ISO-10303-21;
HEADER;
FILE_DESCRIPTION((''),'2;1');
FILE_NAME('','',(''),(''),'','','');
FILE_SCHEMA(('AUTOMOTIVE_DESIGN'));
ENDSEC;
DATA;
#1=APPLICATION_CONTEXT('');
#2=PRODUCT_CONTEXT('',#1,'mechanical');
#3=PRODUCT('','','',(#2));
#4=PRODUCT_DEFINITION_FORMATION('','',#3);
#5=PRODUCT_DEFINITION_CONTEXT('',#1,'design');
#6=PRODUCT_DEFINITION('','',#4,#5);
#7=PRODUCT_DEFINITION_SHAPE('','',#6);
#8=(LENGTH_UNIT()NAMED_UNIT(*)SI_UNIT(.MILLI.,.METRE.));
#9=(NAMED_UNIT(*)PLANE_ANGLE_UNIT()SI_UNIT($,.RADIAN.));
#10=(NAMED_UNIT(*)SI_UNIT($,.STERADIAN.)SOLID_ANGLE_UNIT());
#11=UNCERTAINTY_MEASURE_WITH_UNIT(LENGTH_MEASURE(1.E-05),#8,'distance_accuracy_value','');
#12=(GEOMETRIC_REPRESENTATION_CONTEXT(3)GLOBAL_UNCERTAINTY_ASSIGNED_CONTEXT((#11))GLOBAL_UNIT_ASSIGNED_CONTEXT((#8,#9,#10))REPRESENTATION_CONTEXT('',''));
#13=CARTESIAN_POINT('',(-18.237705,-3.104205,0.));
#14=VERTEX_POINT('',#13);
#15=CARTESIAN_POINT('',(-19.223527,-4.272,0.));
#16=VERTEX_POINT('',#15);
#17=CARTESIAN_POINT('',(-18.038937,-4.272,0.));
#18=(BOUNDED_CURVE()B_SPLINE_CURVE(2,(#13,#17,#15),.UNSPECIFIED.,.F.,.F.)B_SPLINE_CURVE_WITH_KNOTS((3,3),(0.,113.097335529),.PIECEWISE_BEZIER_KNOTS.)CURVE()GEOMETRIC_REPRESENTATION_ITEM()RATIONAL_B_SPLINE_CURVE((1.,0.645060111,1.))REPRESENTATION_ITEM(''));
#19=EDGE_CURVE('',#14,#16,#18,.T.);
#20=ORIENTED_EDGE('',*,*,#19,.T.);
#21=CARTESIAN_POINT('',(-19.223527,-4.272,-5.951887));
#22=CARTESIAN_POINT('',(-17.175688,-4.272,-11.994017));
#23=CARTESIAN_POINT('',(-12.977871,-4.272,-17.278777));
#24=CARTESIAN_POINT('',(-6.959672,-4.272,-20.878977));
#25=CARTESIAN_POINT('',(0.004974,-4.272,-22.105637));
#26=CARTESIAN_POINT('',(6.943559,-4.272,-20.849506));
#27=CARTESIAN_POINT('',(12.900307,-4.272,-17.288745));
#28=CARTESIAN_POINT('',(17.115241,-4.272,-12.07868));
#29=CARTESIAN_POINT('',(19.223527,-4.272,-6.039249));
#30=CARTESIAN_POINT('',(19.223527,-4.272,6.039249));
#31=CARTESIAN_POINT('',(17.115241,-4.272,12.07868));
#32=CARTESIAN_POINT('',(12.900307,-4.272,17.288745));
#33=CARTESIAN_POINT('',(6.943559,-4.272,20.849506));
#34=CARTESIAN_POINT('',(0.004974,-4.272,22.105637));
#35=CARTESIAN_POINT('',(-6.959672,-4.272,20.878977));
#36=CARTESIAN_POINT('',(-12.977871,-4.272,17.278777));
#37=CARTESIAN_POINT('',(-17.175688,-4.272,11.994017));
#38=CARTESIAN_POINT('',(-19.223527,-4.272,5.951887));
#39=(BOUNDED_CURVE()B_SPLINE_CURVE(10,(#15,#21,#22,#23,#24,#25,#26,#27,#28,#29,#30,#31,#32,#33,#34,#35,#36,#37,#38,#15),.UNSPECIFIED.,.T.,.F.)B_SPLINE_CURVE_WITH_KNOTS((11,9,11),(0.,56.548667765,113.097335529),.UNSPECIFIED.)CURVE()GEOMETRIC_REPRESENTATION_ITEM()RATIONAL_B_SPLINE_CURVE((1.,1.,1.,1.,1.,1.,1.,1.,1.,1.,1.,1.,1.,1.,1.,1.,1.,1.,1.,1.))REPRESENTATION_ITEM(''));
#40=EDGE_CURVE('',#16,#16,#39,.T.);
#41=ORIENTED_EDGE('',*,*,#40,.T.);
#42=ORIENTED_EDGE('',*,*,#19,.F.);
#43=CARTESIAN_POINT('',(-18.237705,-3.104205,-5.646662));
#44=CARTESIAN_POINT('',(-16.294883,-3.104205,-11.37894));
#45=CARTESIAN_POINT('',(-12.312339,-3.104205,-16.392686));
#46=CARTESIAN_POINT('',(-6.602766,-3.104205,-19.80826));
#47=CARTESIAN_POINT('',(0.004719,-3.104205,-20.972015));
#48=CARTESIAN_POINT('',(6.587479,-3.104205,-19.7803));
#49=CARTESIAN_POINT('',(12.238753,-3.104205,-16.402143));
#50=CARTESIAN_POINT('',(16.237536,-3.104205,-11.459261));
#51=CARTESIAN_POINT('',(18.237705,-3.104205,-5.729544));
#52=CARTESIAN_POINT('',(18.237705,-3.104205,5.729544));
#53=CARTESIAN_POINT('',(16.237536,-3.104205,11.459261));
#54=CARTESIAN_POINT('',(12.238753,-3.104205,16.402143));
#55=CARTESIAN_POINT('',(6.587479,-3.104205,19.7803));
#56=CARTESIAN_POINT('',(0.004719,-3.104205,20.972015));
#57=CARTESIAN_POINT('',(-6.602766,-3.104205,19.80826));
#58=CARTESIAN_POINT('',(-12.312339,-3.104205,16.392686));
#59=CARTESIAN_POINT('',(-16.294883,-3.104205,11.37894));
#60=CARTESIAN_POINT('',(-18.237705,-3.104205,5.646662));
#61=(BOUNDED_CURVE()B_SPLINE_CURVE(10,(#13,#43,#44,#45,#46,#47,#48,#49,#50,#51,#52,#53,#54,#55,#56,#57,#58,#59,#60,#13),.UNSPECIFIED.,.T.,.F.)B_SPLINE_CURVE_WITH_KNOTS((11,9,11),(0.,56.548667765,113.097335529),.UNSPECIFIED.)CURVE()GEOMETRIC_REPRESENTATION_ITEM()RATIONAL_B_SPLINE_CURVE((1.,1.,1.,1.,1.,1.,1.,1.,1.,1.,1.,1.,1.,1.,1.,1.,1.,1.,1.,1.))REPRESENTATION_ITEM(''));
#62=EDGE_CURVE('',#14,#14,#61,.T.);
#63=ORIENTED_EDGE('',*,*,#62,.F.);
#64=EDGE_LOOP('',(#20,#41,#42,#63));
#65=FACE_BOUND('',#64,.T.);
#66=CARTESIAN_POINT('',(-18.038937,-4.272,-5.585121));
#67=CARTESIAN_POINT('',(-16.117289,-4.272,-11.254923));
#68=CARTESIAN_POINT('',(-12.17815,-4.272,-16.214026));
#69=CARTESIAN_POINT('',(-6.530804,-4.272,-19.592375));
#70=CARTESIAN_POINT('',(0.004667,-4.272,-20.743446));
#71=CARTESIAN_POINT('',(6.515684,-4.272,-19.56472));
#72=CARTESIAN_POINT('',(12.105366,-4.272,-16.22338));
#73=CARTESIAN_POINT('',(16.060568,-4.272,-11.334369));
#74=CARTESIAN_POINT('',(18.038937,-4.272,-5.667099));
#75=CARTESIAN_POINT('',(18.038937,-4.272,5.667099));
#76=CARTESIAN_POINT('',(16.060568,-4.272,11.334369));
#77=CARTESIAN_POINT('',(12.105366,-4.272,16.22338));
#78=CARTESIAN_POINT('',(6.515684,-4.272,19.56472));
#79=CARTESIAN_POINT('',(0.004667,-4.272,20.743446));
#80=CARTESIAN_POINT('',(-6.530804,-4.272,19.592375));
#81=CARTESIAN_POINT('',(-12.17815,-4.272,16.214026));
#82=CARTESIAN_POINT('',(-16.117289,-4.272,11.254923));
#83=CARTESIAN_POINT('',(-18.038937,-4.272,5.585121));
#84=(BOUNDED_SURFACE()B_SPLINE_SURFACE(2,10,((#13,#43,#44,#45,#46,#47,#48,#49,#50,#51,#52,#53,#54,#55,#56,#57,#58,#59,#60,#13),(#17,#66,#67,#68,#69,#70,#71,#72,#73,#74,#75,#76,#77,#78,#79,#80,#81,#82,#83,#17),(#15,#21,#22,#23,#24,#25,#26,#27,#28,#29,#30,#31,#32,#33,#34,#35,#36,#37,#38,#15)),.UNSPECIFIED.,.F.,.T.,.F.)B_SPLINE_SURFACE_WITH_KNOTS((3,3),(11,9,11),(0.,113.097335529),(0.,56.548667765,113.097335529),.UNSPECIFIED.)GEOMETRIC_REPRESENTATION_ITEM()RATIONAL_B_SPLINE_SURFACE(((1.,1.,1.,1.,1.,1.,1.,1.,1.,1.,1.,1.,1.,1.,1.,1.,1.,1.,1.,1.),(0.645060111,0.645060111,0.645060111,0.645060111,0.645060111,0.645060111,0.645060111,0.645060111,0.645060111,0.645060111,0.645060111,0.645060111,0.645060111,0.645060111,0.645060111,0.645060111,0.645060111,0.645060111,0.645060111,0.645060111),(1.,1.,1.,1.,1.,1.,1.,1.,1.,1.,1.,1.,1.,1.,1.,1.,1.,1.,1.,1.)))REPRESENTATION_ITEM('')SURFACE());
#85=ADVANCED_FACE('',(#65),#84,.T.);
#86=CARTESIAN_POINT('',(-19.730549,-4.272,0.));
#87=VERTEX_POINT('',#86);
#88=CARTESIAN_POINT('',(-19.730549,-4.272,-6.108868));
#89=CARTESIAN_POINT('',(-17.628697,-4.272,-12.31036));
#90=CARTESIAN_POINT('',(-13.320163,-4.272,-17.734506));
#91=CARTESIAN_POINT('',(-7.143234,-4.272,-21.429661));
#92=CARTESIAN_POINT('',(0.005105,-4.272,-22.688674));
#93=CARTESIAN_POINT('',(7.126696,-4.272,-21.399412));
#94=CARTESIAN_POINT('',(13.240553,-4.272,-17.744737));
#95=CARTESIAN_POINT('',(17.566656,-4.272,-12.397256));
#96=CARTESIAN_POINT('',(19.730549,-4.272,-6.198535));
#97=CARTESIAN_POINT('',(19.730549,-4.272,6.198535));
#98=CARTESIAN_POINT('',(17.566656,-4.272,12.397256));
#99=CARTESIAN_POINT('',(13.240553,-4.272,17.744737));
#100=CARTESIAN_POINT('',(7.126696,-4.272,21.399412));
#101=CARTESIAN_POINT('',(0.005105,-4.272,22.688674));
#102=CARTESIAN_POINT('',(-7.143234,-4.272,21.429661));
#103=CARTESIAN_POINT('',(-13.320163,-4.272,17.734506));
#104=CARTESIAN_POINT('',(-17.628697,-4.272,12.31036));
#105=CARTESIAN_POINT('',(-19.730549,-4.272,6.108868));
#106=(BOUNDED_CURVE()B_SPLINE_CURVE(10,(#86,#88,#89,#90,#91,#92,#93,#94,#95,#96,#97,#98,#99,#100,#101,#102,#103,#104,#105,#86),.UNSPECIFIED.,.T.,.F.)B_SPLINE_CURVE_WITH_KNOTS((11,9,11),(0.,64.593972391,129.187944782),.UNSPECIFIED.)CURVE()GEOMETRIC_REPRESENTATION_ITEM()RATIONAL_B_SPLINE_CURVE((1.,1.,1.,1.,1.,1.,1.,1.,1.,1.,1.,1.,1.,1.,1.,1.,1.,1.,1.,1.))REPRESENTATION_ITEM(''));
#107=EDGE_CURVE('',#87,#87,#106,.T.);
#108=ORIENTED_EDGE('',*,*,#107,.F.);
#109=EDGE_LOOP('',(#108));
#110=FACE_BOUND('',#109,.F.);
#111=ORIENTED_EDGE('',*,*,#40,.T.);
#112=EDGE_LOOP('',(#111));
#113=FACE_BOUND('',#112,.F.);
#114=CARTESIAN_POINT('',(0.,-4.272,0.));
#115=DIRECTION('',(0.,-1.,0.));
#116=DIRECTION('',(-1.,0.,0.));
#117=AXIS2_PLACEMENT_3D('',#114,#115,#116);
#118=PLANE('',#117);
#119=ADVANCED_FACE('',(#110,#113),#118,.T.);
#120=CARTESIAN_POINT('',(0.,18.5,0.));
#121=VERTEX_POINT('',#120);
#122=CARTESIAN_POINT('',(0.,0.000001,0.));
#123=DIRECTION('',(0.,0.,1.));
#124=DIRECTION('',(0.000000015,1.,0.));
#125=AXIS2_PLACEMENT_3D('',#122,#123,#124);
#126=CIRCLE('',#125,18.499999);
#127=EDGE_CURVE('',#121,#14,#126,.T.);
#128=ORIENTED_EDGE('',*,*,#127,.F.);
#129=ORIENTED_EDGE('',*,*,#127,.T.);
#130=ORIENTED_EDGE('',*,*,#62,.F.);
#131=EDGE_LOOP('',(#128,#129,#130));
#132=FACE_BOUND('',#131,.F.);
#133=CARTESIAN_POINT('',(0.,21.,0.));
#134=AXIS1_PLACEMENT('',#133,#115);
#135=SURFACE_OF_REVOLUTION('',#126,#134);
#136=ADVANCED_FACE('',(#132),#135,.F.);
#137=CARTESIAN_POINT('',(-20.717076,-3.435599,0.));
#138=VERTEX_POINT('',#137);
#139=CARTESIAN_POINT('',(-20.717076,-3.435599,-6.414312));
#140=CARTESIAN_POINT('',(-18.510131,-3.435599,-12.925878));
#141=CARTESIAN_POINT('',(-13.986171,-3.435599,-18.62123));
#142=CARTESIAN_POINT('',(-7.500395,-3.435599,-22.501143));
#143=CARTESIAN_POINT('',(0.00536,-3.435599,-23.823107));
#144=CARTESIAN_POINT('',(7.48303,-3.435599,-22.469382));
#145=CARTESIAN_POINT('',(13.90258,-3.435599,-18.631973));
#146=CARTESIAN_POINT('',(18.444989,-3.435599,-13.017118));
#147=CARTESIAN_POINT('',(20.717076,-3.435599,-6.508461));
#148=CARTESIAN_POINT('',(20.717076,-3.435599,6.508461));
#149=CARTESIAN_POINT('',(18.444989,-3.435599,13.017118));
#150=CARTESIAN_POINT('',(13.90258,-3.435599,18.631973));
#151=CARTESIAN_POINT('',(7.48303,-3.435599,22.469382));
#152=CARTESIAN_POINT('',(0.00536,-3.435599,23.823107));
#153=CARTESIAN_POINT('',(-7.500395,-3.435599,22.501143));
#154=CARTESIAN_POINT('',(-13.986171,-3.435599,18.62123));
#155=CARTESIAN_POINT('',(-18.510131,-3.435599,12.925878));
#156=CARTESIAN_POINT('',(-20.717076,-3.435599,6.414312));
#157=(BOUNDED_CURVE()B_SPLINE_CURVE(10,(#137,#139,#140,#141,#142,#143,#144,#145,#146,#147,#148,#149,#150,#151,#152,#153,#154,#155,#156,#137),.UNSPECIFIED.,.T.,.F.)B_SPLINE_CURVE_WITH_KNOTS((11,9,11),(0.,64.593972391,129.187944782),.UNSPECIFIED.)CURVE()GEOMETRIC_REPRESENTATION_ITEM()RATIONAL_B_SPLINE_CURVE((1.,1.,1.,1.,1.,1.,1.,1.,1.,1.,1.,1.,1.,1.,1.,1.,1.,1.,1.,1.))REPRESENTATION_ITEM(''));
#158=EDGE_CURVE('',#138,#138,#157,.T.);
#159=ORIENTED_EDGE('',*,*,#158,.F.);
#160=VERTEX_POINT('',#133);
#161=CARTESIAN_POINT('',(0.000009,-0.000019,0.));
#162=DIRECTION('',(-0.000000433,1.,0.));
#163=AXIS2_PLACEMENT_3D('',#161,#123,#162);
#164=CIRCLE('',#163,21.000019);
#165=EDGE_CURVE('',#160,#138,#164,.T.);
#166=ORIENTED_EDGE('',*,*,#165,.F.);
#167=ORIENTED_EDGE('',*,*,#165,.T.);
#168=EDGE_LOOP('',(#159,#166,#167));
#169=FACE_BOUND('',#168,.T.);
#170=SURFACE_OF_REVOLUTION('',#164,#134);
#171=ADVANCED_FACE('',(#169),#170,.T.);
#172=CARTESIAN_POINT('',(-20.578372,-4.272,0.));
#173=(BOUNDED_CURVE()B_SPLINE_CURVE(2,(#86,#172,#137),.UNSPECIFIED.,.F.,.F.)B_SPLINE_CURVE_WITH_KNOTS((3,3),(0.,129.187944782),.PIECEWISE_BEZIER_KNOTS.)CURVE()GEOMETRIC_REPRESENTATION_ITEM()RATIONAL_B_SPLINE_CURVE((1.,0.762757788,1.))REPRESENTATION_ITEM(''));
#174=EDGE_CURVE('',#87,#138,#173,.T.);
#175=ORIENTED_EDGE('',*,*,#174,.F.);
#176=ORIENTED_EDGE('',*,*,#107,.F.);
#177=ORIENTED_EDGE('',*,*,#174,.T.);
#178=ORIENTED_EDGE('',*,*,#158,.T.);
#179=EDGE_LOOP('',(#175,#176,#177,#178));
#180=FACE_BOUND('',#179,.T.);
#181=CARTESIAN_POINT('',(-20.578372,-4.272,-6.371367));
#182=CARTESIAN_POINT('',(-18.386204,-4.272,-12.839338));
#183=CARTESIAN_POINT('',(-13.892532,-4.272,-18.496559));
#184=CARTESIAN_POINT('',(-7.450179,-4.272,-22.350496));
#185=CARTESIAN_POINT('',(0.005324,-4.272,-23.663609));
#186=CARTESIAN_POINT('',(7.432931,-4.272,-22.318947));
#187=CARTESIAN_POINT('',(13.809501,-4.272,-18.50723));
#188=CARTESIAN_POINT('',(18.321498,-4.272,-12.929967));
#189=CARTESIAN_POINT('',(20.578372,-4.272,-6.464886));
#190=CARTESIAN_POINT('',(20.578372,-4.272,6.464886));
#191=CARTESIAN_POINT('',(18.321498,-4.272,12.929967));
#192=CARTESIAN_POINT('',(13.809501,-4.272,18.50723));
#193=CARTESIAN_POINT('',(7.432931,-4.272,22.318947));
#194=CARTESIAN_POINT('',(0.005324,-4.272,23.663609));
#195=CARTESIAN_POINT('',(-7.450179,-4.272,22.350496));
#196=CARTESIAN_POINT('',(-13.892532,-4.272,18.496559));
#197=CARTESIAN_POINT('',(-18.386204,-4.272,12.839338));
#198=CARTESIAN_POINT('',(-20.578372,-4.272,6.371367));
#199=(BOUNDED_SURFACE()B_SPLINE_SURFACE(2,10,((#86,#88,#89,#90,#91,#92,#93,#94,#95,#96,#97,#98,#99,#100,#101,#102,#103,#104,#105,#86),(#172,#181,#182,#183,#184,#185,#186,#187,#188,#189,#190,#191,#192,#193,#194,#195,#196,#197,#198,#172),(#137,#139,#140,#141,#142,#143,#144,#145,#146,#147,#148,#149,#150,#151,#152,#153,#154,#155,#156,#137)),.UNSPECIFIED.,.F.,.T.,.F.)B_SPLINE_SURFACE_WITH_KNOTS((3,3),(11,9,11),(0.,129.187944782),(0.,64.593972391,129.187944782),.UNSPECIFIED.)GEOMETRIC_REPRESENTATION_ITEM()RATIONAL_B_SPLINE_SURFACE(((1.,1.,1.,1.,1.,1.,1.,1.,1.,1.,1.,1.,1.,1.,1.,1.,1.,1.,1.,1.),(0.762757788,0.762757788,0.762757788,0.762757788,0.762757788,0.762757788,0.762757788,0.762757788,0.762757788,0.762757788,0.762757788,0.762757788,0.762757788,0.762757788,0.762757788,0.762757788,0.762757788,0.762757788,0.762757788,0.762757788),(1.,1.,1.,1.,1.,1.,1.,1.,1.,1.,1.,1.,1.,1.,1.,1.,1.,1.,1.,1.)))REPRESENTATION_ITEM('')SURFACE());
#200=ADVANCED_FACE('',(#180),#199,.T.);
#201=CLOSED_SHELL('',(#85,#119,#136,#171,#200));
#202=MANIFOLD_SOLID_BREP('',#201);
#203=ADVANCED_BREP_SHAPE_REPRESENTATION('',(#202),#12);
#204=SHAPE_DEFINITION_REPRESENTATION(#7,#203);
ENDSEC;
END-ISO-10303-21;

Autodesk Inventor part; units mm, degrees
ref_plane "YZ Plane" through (0, 0, 0) normal (1, 0, 0) x (0, 1, 0)
ref_plane "XZ Plane" through (0, 0, 0) normal (0, 1, 0) x (-1, 0, 0)
ref_plane "XY Plane" through (0, 0, 0) normal (0, 0, 1) x (1, 0, 0)
sketch "Sketch1" plane through (0, 0, 0) normal (0, 0, 1) x (1, 0, 0)
  arc A0 (0, 18.5) -> (-18, -4.272) centre (0, 0) ccw
  arc A1 (0, 21) -> (-20.5609, -4.272) centre (0, 0) ccw
  line L0 (0, 21) -> (0, 18.5)
  line L1 (-18, -4.272) -> (-20.5609, -4.272)
  point P0 (0, 19.75)
  dimension "d0" = 37
  dimension "d1" = 42
  dimension "d5" = 2.5609
  dimension "d6" = 2.5
revolve "Revolution1" add sketch "Sketch1" angle 360 about axis through (0, 21, 0) along (0, -1, 0)
fillet "Fillet1" radius 1 2 edges at (20.5609, -4.272, 0) (18, -4.272, 0)
properties part number "Dianecap"
